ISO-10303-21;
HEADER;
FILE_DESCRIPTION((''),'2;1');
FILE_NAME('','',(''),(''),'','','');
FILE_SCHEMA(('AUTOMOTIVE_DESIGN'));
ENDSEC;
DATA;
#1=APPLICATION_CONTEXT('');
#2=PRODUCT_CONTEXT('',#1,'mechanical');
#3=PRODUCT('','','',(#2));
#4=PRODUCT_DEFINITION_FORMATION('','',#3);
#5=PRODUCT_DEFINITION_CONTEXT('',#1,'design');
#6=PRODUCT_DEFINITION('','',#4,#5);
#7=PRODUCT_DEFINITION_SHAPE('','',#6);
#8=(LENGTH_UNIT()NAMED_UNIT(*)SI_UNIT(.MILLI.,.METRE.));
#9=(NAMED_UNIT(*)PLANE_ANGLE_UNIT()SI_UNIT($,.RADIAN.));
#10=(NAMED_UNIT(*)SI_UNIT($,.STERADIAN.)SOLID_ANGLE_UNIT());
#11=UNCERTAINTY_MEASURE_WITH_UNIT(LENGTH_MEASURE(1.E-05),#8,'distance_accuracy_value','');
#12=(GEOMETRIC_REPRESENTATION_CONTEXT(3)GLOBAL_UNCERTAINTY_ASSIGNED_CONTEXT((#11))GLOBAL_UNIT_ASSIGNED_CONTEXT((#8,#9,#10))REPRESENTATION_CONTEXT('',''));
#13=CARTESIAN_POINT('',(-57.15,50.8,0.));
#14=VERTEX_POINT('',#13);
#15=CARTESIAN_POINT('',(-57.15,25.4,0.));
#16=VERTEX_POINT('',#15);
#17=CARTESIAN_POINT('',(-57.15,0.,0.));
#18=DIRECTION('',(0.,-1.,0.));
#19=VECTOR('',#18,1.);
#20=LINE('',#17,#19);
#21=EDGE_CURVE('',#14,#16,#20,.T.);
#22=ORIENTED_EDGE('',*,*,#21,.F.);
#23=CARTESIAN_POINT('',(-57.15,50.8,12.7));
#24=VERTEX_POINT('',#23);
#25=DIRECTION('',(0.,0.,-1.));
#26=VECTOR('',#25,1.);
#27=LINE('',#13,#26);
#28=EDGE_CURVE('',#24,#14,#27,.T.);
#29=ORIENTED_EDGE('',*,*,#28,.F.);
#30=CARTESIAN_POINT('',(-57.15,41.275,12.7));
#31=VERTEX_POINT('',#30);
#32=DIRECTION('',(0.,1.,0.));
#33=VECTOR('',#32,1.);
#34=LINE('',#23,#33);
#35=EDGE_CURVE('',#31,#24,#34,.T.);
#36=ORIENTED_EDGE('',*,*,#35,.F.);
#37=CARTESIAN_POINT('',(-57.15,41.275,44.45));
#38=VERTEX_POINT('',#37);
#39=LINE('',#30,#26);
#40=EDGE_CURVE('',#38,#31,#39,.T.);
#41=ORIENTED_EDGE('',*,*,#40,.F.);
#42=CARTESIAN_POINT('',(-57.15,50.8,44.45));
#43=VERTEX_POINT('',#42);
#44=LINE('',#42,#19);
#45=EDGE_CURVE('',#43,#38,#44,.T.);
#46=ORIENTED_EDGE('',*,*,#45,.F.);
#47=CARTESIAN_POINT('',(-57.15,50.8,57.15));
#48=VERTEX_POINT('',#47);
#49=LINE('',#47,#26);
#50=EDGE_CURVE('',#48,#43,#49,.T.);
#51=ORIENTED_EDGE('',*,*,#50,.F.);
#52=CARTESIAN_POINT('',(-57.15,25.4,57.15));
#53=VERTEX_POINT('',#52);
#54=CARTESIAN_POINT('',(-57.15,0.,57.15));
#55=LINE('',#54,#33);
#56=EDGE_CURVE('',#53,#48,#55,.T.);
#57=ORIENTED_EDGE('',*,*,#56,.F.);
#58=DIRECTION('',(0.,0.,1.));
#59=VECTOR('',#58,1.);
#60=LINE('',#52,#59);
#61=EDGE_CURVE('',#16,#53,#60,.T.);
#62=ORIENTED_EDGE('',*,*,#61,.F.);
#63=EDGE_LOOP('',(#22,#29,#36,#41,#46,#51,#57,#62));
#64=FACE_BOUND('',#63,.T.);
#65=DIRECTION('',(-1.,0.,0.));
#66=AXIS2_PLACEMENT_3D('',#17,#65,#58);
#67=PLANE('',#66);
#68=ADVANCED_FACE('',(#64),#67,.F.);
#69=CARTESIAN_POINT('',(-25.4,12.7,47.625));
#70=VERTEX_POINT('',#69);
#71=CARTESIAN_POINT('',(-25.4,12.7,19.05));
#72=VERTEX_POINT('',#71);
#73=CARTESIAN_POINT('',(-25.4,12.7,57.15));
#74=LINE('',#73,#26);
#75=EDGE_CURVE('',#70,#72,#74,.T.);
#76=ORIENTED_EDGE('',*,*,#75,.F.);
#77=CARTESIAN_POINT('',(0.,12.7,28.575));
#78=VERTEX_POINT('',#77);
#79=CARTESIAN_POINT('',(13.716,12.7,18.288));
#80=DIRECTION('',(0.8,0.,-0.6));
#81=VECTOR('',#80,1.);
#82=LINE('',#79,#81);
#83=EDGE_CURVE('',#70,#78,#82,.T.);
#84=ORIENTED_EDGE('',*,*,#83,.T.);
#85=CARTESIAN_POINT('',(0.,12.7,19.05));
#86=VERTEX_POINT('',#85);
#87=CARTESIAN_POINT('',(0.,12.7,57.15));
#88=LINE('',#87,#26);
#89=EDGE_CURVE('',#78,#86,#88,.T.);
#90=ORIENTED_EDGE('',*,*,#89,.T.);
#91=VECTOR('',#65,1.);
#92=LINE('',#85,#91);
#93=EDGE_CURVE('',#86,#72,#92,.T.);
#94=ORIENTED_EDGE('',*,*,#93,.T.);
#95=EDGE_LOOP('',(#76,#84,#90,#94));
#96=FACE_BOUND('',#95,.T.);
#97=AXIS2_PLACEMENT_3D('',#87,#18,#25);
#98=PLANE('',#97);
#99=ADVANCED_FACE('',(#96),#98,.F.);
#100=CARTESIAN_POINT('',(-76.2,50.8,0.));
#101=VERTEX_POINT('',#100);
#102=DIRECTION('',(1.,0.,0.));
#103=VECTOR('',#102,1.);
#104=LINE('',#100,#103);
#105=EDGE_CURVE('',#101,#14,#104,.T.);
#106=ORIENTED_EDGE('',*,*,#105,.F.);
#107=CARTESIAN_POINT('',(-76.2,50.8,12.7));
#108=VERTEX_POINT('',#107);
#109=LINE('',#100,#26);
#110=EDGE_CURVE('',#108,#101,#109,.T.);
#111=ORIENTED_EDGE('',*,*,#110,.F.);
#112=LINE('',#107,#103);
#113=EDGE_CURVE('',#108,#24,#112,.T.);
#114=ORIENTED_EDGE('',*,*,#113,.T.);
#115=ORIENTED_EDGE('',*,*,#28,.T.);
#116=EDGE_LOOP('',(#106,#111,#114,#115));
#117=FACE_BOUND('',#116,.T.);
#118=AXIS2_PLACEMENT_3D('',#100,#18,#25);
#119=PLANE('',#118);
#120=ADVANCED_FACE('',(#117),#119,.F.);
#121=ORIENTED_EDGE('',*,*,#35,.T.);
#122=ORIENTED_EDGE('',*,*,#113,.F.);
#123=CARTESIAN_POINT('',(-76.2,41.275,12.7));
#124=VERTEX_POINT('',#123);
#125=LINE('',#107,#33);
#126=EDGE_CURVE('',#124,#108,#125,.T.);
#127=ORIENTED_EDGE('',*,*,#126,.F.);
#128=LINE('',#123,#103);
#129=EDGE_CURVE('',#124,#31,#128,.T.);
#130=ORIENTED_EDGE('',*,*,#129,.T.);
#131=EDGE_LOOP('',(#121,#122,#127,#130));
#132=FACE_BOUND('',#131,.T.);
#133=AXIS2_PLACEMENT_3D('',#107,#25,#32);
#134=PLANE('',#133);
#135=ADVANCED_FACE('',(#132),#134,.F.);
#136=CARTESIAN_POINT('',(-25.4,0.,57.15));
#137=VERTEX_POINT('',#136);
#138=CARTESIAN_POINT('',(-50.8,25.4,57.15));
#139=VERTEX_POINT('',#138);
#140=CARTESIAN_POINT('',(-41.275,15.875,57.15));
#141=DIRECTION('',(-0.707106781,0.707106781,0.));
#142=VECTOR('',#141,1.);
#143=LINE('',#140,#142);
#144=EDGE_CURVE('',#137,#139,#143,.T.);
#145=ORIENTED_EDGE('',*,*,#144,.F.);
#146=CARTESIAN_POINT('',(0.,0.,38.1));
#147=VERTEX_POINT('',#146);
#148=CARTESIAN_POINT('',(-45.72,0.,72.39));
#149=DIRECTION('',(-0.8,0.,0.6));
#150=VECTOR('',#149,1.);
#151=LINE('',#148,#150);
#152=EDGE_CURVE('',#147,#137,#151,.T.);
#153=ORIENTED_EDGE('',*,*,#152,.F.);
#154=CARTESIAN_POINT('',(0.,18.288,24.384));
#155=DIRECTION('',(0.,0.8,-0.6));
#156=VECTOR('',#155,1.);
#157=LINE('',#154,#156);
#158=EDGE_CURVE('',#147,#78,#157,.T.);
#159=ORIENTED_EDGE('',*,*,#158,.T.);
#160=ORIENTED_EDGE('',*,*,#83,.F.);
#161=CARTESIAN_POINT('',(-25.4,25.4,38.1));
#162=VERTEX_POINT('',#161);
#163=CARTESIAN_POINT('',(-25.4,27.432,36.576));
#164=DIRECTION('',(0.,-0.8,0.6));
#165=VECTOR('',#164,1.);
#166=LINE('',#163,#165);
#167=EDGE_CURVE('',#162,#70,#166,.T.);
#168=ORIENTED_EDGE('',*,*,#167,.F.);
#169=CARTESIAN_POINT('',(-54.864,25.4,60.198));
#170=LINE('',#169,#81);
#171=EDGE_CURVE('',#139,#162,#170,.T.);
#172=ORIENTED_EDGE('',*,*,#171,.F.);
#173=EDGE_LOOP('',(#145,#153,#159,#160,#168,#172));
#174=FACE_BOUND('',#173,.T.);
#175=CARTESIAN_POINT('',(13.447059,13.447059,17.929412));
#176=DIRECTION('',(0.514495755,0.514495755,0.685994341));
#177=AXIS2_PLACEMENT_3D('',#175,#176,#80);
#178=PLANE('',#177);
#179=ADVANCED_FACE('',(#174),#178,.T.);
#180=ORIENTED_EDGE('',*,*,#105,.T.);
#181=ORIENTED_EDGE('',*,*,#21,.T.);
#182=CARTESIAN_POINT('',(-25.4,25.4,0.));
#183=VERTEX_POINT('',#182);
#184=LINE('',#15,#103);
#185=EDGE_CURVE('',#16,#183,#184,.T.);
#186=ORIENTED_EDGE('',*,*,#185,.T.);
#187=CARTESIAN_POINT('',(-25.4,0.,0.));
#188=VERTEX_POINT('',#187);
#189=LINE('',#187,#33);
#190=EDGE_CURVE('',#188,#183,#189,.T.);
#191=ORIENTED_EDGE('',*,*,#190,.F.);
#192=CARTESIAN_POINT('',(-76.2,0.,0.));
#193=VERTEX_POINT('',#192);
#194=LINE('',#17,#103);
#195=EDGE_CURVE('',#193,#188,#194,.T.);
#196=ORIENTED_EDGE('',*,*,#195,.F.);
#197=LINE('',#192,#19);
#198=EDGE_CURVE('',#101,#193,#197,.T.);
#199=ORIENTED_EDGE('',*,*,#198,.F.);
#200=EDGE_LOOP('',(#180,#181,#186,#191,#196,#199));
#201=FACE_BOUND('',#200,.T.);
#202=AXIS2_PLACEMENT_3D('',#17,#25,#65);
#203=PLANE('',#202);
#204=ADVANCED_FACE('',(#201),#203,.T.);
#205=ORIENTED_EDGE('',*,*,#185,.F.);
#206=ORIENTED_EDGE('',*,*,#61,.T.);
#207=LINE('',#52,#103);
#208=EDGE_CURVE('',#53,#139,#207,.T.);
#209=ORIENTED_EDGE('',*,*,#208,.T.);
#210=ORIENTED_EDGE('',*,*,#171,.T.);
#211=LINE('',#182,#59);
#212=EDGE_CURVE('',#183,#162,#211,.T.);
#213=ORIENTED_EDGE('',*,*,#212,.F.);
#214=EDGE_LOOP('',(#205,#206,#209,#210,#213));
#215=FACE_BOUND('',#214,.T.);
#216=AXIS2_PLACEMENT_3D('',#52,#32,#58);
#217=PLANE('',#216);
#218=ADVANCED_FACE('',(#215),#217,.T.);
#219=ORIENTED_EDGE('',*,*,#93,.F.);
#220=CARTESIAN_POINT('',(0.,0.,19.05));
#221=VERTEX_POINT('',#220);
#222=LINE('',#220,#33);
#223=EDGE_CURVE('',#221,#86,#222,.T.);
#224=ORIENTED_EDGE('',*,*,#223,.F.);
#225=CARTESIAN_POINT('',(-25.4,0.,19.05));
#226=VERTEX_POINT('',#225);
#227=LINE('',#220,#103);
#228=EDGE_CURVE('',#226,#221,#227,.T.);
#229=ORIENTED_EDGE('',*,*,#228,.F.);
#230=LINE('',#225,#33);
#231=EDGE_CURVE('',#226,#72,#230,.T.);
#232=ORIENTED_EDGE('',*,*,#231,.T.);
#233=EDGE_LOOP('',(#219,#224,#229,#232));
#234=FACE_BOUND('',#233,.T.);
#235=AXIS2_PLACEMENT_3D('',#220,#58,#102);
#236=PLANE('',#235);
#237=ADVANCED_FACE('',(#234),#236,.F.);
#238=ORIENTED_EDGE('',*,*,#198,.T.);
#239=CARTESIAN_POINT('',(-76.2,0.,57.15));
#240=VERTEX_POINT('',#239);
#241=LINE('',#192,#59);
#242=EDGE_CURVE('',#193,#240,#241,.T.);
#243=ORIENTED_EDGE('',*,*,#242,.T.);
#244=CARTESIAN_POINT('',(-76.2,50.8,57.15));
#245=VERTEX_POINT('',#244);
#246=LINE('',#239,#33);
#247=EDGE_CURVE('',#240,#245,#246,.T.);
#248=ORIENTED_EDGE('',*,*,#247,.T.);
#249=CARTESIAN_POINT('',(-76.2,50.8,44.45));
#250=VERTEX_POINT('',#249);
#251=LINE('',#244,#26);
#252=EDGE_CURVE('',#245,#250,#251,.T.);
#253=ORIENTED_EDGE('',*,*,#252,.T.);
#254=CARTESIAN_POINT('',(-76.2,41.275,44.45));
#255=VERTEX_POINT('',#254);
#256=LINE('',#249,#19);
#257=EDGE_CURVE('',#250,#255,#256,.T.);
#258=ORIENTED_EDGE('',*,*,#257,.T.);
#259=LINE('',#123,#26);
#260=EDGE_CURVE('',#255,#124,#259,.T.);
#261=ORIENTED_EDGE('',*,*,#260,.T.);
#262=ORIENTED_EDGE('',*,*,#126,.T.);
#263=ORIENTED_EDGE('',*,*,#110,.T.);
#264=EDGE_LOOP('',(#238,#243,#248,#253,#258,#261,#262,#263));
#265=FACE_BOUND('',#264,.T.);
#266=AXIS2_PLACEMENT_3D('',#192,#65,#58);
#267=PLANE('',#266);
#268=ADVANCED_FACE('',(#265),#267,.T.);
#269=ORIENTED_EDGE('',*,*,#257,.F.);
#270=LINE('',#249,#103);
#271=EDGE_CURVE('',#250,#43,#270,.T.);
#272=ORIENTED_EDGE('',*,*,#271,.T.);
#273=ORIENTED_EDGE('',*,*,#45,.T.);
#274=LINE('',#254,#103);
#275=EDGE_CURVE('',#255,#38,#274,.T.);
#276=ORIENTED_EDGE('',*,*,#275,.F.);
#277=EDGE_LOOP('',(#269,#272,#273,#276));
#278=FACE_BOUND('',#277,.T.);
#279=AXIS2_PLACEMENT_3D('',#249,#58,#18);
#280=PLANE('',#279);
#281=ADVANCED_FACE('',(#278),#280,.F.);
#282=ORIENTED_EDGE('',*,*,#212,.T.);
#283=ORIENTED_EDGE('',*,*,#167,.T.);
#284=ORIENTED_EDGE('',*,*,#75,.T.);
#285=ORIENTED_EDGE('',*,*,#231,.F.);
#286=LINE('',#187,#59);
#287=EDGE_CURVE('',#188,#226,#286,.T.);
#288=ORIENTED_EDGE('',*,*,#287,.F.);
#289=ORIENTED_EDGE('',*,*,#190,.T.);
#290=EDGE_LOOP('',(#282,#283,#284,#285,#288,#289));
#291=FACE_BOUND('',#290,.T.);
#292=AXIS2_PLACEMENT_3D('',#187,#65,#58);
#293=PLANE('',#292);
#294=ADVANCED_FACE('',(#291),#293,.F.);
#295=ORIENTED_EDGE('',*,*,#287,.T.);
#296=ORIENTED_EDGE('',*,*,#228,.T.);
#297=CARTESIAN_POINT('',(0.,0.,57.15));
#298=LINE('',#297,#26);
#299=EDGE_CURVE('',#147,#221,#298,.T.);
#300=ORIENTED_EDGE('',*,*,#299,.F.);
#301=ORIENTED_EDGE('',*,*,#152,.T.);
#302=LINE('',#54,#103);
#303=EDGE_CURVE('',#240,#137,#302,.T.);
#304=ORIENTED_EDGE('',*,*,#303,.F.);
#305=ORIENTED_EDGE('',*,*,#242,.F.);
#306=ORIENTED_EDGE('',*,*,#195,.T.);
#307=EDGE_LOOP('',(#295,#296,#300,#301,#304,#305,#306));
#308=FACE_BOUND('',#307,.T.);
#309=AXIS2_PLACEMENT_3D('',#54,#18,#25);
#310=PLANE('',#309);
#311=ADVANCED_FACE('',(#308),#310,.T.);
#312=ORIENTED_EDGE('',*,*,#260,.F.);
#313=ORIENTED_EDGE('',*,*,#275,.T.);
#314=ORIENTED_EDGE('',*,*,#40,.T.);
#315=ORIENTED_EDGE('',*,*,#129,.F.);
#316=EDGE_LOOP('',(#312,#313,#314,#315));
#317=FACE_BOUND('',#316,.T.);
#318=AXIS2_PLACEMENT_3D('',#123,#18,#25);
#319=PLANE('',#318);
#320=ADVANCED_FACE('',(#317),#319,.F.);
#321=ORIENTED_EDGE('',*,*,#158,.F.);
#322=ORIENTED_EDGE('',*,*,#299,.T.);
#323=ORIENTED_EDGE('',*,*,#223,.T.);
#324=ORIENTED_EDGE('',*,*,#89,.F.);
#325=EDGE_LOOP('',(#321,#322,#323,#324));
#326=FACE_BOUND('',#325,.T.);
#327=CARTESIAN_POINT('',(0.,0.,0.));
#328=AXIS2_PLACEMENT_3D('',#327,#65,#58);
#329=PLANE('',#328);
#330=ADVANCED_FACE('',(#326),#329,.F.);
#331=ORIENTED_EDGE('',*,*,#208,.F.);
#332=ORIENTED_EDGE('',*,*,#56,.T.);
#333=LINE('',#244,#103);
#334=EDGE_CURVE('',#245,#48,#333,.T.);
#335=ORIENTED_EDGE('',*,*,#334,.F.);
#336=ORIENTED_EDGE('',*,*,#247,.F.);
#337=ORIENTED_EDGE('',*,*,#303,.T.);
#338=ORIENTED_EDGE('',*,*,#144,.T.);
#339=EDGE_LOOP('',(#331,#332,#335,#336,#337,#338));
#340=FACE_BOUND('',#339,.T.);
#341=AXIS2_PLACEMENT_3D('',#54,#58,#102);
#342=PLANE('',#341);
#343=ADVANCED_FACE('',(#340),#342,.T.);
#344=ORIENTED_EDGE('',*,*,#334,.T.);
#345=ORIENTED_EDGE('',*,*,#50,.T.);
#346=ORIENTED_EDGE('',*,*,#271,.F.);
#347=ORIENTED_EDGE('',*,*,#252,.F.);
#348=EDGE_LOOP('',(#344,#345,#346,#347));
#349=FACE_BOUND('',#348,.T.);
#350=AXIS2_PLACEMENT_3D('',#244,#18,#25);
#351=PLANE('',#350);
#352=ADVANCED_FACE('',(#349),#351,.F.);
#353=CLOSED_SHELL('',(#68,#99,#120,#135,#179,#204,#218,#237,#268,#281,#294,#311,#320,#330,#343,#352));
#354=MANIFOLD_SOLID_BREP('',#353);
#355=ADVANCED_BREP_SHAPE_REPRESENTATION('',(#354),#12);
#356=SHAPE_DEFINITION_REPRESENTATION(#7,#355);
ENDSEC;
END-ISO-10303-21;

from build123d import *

# Parameters (mm, degrees)
SKETCH1_W           = 57.15
SKETCH1_H           = 25.4
BOSS_EXTRUDE1_DEPTH = 57.15
SKETCH2_W           = 25.4
SKETCH2_H           = 19.05
CUT_EXTRUDE1_DEPTH  = 85.719566807
SKETCH5_W           = 25.4
SKETCH5_H           = 12.7
CUT_EXTRUDE2_DEPTH  = 74.231772476
BOSS_EXTRUDE2_DEPTH = 19.05


with BuildPart() as part:
    # Sketch1 → Boss-Extrude1 (new body)
    with BuildSketch(Plane(origin=(0, 0, 0), x_dir=(0, 0, -1), z_dir=(1, 0, 0))):
        with Locations((-28.575, 12.7)):
            Rectangle(SKETCH1_W, SKETCH1_H)
    extrude(amount=-BOSS_EXTRUDE1_DEPTH)

    # Sketch2 → Cut-Extrude1 (cut, through all)
    with BuildSketch(Plane(origin=(0, 25.4, 0), x_dir=(1, 0, 0), z_dir=(0, 1, 0))):
        with Locations((-12.7, -9.525)):
            Rectangle(SKETCH2_W, SKETCH2_H)
    extrude(amount=-CUT_EXTRUDE1_DEPTH, mode=Mode.SUBTRACT)

    # SurfaceCut1
    split(bisect_by=Plane(origin=(13.447058824, 13.447058824, 17.929411765), x_dir=(0.8574929257125442, -0.3086974532565159, -0.41159660434202117), z_dir=(0.5144957554275265, 0.5144957554275265, 0.6859943405700355)), keep=Keep.BOTTOM)

    # Sketch5 → Cut-Extrude2 (cut, through all)
    with BuildSketch(Plane(origin=(0, 0, 19.05), x_dir=(-1, 0, 0), z_dir=(0, 0, -1))):
        with Locations((12.7, 19.05)):
            Rectangle(SKETCH5_W, SKETCH5_H)
    extrude(amount=-CUT_EXTRUDE2_DEPTH, mode=Mode.SUBTRACT)

    # Sketch6 → Boss-Extrude2 (add)
    with BuildSketch(Plane.ZY.offset(57.15)):
        Polygon((0, 0), (0, 50.8), (12.7, 50.8), (12.7, 41.275), (44.45, 41.275), (44.45, 50.8), (57.15, 50.8), (57.15, 0), align=None)
    extrude(amount=BOSS_EXTRUDE2_DEPTH)


solid = part.part
